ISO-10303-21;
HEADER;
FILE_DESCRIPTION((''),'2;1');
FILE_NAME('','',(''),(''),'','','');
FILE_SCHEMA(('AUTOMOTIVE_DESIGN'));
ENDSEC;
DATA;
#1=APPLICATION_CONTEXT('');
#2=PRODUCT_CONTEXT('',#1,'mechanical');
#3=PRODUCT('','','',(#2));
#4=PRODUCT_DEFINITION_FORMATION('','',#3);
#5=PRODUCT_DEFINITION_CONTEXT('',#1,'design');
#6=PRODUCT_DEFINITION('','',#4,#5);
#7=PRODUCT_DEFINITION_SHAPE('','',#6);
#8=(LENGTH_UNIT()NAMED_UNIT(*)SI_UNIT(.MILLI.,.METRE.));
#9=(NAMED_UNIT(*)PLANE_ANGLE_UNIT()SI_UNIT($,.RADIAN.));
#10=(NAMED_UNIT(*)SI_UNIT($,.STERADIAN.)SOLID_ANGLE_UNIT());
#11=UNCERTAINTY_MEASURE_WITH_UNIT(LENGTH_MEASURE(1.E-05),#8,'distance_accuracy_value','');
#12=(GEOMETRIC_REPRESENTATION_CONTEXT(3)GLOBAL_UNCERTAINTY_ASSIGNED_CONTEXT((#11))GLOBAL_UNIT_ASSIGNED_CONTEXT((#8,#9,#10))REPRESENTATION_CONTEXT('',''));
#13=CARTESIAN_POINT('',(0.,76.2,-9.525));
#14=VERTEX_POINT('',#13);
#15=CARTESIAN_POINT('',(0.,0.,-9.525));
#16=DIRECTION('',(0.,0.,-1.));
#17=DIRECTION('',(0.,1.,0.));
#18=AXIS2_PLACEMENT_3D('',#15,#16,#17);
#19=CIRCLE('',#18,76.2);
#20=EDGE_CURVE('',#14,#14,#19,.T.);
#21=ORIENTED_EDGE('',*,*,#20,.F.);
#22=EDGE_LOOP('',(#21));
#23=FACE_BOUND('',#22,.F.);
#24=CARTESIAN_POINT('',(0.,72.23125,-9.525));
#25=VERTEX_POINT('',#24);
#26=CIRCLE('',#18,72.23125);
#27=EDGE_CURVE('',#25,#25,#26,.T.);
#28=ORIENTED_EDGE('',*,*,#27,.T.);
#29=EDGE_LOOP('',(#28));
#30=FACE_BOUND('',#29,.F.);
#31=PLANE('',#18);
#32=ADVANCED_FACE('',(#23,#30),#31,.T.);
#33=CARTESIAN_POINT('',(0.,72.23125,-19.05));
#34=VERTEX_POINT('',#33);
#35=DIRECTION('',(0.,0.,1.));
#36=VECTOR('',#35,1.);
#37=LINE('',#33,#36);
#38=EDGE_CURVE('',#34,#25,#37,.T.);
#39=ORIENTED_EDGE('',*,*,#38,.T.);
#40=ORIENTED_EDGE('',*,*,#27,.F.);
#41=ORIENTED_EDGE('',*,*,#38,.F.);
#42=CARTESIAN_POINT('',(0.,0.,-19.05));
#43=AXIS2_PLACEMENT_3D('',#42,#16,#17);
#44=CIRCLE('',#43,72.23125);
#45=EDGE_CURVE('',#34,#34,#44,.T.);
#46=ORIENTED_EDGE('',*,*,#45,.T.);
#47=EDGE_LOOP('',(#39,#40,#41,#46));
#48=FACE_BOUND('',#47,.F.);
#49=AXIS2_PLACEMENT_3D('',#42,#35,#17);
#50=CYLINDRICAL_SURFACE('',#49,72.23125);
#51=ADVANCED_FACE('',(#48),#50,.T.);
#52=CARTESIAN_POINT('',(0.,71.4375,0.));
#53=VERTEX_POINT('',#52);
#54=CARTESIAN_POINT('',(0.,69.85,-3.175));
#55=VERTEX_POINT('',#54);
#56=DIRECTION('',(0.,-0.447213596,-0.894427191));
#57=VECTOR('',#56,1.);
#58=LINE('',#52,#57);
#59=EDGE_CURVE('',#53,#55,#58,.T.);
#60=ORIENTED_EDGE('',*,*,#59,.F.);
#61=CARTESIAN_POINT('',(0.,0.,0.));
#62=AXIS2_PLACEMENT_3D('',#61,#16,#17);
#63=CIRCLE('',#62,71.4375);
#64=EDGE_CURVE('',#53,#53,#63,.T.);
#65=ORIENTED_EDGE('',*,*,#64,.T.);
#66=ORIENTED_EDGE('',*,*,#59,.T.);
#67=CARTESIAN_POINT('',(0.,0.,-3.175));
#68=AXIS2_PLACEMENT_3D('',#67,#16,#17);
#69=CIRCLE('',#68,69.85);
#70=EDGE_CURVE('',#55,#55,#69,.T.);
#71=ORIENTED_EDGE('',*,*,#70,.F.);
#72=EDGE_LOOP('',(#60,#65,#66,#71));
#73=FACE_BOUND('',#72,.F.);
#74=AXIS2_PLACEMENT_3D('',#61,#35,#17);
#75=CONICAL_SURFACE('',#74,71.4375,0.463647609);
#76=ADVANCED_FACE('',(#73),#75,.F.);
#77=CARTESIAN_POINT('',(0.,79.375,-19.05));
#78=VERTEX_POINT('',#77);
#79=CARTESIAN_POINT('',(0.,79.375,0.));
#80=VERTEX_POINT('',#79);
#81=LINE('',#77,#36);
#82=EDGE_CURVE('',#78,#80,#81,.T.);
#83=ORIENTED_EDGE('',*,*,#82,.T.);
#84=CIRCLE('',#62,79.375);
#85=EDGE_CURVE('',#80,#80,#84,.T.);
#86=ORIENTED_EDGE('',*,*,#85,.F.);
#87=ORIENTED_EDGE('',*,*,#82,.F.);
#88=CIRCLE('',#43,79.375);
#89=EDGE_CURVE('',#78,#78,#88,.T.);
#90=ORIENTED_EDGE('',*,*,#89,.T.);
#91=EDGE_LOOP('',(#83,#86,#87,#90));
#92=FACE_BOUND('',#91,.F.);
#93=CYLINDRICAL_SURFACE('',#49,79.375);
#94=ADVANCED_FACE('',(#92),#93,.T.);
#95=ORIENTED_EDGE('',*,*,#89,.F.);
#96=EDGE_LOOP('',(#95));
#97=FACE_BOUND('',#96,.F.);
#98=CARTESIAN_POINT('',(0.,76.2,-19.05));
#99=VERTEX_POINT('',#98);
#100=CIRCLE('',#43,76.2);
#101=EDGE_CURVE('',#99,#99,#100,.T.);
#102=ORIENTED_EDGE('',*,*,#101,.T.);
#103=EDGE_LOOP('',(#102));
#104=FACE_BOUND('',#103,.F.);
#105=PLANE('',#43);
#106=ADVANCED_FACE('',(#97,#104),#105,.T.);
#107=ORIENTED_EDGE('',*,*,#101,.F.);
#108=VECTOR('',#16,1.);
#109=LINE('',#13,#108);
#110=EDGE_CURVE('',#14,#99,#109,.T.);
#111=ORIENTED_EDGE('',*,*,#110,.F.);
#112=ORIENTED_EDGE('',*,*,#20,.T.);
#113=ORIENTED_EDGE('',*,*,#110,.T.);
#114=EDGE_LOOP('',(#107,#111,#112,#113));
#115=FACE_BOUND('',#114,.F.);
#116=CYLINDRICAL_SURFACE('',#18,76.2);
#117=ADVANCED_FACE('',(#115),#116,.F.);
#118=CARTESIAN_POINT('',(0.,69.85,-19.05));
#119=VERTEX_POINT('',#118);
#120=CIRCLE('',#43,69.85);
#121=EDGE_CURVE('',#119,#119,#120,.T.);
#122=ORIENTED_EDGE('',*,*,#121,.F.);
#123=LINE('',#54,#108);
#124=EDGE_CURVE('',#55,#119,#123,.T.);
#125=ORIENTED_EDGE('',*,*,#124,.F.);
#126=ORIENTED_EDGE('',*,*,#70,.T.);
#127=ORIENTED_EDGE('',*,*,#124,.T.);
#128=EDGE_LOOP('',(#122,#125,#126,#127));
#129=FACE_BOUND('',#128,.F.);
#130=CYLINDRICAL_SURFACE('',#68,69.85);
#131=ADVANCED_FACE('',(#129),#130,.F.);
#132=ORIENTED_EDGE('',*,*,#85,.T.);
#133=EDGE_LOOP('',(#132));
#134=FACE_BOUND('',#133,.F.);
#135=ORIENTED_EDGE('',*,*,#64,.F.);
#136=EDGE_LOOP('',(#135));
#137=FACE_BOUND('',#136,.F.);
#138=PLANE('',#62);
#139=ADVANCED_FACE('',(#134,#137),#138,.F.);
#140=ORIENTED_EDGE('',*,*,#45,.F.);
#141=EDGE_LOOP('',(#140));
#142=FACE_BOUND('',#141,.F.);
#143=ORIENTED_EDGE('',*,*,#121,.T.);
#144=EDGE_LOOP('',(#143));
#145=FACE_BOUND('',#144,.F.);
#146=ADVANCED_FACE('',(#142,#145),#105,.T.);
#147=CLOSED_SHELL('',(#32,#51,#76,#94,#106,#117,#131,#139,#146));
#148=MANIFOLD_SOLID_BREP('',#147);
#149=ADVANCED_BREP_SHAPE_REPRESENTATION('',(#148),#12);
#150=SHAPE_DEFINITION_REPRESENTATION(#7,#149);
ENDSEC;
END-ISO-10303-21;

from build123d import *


with BuildPart() as part:
    # Sketch2 → Revolve1 (revolve)
    with BuildSketch(Plane(origin=(0, 0, 0), x_dir=(0, 0, -1), z_dir=(1, 0, 0))):
        Polygon((0, 71.4375), (3.175, 69.85), (19.05, 69.85), (19.05, 72.23125), (9.525, 72.23125), (9.525, 76.2), (19.05, 76.2), (19.05, 79.375), (0, 79.375), align=None)
    revolve(axis=Axis((0, 0, 0), (0, 0, -1)))


solid = part.part
